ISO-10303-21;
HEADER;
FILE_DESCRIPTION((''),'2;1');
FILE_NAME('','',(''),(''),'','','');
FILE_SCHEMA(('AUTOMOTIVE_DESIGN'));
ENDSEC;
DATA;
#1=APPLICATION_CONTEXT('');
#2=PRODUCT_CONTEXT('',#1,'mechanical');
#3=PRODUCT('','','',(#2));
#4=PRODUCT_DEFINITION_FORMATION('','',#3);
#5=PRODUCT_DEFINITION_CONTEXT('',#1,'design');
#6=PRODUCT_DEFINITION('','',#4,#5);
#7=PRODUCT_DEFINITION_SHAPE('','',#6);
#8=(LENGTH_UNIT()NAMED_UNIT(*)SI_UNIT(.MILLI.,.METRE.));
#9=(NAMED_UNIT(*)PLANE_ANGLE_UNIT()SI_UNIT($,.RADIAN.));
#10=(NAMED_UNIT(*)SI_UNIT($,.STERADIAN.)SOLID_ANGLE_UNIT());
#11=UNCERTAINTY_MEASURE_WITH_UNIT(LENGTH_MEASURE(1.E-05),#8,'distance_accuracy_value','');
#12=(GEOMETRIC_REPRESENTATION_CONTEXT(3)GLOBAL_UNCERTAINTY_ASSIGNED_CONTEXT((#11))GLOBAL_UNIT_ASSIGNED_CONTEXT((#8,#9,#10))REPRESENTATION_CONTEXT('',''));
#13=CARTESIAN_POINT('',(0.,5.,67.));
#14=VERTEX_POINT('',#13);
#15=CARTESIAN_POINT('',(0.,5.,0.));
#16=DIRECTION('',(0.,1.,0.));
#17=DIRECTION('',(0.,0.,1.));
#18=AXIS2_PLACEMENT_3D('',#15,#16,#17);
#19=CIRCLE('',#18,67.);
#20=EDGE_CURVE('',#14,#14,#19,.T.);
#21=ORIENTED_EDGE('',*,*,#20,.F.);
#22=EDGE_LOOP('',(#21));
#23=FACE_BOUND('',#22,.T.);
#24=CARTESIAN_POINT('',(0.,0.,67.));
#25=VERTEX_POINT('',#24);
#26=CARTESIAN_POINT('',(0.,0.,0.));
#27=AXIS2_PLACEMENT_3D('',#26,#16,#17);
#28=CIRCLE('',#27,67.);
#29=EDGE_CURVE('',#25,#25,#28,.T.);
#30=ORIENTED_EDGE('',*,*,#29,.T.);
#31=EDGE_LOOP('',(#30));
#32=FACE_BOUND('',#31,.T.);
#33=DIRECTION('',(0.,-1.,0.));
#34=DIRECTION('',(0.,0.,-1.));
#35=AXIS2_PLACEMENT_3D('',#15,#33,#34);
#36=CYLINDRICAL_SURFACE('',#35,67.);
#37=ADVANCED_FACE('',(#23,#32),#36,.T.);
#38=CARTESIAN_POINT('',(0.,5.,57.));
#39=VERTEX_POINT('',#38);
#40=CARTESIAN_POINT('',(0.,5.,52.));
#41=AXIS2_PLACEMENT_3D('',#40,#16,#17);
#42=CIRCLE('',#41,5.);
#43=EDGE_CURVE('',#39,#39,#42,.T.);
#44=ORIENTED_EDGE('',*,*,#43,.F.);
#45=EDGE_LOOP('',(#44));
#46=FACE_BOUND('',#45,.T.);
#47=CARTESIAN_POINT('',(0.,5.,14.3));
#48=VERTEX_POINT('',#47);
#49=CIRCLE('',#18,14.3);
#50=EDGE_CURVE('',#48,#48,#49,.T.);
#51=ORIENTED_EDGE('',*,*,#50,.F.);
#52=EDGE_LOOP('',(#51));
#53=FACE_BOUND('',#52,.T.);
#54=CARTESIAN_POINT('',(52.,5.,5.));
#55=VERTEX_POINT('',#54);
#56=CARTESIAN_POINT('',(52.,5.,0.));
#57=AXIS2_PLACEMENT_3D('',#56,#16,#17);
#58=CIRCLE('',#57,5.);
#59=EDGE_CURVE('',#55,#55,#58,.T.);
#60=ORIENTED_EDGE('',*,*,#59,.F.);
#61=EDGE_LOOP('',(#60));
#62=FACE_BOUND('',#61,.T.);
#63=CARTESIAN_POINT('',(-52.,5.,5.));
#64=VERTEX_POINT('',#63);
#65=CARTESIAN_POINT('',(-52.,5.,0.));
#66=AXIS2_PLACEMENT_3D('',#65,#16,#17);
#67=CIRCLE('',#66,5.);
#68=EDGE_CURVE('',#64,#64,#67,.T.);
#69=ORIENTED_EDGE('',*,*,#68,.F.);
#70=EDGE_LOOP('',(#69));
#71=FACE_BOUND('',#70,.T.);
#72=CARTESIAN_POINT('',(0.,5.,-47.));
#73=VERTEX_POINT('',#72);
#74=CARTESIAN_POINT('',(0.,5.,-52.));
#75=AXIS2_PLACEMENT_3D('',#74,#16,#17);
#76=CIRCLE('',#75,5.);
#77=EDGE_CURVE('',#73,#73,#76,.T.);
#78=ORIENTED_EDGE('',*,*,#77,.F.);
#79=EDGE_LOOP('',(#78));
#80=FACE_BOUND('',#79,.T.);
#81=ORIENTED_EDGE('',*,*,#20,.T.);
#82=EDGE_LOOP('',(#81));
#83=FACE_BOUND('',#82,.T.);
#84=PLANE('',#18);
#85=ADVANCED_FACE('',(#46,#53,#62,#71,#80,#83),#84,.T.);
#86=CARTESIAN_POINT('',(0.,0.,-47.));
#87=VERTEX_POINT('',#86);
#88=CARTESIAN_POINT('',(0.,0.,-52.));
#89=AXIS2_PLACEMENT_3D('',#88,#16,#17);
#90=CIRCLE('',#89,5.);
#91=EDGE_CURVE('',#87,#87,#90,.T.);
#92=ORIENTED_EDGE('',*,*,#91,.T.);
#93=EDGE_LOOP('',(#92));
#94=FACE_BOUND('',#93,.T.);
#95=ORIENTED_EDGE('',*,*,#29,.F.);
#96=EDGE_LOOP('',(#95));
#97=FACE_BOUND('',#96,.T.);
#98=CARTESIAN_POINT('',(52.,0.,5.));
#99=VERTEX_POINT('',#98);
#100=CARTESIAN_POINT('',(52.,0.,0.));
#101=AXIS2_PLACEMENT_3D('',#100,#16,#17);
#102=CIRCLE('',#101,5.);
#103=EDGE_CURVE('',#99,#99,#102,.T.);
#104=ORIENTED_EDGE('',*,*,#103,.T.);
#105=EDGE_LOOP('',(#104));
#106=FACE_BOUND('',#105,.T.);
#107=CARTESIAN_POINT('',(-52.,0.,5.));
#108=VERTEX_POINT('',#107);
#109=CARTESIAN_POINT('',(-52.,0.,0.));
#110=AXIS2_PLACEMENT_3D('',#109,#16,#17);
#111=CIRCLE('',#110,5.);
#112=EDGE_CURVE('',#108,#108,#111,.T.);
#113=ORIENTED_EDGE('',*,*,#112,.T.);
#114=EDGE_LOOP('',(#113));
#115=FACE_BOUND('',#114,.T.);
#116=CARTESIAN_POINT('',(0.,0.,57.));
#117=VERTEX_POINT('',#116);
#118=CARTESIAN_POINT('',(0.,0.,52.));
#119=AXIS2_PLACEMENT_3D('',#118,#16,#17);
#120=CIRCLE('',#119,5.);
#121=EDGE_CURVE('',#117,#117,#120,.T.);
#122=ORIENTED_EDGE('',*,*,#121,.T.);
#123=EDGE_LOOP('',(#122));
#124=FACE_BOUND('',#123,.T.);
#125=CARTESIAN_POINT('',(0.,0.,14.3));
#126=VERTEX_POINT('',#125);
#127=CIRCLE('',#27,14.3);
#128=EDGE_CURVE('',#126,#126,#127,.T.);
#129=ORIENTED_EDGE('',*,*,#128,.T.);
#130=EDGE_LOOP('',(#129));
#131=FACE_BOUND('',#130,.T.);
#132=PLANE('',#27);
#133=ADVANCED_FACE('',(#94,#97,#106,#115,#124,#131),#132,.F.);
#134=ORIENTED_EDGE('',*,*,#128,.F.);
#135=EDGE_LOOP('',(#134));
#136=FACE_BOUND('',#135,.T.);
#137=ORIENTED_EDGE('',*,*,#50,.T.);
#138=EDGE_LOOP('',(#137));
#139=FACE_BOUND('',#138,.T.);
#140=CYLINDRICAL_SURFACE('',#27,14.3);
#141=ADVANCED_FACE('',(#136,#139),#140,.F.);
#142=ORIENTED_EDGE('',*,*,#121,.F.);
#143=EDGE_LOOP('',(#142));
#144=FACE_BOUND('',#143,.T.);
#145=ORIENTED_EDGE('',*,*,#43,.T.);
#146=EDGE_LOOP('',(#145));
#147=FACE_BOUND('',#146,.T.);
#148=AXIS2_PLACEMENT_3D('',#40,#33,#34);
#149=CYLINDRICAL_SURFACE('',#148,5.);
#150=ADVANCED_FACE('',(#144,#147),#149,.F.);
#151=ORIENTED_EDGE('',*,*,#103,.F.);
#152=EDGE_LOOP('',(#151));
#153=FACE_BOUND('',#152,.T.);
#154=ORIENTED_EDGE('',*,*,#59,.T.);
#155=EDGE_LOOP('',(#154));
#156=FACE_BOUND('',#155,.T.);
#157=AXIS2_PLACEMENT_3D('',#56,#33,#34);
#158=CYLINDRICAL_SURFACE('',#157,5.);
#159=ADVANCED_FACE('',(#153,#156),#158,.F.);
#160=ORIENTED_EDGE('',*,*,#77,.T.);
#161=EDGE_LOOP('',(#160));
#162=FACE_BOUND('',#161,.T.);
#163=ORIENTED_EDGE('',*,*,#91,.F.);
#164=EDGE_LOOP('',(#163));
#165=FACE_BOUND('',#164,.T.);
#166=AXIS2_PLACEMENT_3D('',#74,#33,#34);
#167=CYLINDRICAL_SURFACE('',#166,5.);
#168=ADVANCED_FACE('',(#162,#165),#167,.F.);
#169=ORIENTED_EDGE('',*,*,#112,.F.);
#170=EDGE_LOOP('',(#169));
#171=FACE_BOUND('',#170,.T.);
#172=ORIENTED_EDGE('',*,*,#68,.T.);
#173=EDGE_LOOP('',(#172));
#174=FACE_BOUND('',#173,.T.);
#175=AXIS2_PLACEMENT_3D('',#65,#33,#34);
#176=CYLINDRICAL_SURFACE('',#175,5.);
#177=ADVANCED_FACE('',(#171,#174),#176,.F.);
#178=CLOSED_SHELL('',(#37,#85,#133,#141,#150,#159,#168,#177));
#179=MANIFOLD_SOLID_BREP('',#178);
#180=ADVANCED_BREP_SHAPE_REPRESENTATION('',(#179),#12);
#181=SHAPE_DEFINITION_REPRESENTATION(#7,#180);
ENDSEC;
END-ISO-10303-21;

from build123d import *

# Parameters (mm, degrees)
SKETCH1_R               = 67
SKETCH1_R_2             = 5
BOSS_EXTRUDE1_DEPTH     = 5
SKETCH2_4_R             = 14.3
CUT_EXTRUDE3_DEPTH      = 1
CUT_EXTRUDE3_DEPTH_BACK = 6


with BuildPart() as part:
    # Sketch1 → Boss-Extrude1 (new body)
    with BuildSketch(Plane(origin=(0, 0, 0), x_dir=(1, 0, 0), z_dir=(0, 1, 0))):
        Circle(SKETCH1_R)
        with Locations((0, 52)):
            Circle(SKETCH1_R_2, mode=Mode.SUBTRACT)
        with Locations((52, 0)):
            Circle(SKETCH1_R_2, mode=Mode.SUBTRACT)
        with Locations((0, -52)):
            Circle(SKETCH1_R_2, mode=Mode.SUBTRACT)
        with Locations((-52, 0)):
            Circle(SKETCH1_R_2, mode=Mode.SUBTRACT)
    extrude(amount=BOSS_EXTRUDE1_DEPTH)

    # Sketch2<4> → Cut-Extrude3 (cut, two sides)
    with BuildSketch(Plane(origin=(0, 5, 0), x_dir=(1, 0, 0), z_dir=(0, 1, 0))) as cut_extrude3_sk:
        Circle(SKETCH2_4_R)
    extrude(amount=CUT_EXTRUDE3_DEPTH, mode=Mode.SUBTRACT)
    extrude(cut_extrude3_sk.sketch, amount=-CUT_EXTRUDE3_DEPTH_BACK, mode=Mode.SUBTRACT)


solid = part.part
